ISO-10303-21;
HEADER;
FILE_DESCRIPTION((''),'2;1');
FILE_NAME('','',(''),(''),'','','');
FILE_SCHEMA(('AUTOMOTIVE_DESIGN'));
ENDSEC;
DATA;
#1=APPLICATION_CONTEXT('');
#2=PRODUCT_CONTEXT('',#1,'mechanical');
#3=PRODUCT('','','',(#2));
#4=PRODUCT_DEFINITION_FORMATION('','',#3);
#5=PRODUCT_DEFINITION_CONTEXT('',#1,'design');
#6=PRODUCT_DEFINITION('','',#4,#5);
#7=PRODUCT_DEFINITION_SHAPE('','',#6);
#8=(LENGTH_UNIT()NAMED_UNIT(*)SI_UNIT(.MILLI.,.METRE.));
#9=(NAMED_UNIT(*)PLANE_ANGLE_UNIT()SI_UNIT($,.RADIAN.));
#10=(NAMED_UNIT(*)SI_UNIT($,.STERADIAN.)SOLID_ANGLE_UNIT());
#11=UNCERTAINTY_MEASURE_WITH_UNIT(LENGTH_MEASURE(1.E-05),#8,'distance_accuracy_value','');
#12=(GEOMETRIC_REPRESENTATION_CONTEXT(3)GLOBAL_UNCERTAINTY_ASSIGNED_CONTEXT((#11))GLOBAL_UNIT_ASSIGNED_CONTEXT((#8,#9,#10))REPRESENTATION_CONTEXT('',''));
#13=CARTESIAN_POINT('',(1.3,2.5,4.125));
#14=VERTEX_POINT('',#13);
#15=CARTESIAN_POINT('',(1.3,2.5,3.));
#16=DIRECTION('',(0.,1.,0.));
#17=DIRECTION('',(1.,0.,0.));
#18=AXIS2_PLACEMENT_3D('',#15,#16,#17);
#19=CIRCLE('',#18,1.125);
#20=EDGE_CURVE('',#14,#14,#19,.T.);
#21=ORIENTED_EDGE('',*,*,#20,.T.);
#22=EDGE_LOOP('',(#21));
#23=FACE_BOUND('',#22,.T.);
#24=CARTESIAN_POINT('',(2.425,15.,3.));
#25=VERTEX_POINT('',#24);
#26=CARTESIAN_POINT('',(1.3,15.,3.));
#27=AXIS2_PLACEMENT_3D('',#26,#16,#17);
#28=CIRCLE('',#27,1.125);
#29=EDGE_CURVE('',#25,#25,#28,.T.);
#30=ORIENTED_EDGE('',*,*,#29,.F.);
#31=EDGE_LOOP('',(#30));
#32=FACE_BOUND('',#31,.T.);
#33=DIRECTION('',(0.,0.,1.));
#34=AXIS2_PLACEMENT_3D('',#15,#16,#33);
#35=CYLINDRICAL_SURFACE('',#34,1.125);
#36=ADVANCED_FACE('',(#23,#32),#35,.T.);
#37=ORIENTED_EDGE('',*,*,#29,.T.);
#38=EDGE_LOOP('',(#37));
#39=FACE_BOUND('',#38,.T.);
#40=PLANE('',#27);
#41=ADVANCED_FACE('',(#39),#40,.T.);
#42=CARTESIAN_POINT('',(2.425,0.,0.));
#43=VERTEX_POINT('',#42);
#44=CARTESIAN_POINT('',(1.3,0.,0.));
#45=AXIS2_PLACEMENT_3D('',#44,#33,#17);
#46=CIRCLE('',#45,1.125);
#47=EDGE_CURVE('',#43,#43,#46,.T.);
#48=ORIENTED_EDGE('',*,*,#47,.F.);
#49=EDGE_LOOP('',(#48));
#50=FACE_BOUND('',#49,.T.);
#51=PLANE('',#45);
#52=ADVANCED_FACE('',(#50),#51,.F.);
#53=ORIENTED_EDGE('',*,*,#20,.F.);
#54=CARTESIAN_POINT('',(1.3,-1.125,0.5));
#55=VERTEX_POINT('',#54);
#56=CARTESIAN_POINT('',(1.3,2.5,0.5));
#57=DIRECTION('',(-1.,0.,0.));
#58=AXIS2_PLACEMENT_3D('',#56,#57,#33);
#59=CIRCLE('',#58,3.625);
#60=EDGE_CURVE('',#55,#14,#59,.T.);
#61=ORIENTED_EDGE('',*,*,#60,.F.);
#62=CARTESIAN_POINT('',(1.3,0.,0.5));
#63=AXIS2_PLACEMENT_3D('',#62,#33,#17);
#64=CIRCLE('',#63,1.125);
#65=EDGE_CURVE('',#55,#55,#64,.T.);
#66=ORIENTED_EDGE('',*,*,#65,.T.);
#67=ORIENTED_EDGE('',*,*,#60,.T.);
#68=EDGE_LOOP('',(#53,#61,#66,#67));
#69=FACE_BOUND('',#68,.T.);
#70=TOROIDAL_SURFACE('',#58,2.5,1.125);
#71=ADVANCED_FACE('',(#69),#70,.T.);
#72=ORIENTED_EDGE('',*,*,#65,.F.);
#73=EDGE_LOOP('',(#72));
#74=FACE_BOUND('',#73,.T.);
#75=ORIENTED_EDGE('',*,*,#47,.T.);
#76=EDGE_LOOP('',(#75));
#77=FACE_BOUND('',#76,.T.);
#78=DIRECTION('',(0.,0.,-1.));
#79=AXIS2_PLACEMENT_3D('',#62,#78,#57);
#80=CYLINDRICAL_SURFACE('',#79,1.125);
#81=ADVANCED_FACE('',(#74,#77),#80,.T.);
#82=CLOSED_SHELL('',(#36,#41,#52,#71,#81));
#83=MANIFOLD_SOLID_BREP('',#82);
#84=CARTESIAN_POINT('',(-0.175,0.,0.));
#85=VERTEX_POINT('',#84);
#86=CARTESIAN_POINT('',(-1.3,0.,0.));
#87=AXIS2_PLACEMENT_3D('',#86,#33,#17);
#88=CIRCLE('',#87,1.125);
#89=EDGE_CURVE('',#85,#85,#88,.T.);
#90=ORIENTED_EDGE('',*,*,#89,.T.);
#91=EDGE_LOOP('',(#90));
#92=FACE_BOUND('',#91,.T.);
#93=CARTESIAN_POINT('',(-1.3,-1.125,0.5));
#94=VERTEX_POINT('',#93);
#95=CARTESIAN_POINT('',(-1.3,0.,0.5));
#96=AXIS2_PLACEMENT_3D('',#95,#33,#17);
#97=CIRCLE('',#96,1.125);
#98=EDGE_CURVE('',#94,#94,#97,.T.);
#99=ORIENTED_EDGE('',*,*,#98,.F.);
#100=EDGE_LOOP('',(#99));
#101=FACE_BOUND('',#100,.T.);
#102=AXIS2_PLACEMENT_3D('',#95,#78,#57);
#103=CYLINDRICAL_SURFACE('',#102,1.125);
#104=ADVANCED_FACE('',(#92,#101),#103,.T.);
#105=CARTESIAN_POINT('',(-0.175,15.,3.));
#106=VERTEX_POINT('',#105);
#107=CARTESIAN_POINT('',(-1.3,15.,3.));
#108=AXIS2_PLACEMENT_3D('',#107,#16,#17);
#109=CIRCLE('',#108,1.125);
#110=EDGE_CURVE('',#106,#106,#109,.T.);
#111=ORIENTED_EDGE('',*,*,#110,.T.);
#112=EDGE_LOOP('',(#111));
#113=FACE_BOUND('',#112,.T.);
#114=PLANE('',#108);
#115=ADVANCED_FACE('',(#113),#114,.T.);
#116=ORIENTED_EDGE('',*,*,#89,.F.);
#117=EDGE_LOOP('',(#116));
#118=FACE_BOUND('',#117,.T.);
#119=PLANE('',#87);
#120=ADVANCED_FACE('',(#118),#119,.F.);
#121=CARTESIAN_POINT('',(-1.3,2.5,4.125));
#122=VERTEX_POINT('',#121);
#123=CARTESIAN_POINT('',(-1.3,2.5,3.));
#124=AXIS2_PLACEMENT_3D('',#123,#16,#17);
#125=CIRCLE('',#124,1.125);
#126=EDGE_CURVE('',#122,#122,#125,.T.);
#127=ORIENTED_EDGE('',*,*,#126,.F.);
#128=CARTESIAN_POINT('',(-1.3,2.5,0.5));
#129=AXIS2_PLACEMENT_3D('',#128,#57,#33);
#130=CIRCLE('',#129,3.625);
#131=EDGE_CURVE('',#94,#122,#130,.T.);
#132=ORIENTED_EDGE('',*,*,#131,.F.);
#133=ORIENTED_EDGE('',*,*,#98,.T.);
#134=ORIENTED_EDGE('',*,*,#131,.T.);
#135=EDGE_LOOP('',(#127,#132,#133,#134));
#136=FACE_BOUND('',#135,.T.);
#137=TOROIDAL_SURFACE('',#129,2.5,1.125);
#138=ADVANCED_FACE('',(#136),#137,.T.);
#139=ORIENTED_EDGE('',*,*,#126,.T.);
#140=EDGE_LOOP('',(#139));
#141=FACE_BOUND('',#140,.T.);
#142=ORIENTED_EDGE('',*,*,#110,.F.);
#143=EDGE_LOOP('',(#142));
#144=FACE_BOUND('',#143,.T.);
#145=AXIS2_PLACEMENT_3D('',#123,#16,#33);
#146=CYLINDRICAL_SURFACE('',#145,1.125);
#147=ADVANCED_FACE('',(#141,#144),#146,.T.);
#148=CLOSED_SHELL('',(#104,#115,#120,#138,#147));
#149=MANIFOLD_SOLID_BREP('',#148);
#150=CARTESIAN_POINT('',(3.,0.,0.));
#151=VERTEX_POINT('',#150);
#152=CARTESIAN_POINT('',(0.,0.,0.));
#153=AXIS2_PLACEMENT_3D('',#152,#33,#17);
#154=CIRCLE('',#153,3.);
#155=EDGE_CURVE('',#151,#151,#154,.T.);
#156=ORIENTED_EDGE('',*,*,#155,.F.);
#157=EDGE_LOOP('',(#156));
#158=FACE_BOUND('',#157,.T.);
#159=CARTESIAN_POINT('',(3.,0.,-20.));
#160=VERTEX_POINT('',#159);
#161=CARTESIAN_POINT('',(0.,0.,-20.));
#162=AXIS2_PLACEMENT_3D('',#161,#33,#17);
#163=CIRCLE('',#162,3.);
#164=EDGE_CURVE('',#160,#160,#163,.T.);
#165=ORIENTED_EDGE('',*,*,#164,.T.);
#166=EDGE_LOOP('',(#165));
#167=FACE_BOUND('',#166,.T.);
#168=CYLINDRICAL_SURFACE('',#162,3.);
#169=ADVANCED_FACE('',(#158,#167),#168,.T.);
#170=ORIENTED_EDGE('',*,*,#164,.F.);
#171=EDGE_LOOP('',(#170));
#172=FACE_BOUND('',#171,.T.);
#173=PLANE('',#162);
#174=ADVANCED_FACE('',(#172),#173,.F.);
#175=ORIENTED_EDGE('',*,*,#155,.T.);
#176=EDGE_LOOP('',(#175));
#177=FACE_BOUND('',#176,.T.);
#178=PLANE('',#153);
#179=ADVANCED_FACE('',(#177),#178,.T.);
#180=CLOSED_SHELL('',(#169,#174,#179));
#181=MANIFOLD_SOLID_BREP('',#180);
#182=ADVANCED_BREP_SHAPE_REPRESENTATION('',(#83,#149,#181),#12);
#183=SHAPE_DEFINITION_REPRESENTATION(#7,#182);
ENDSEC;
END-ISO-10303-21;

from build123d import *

# Parameters (mm, degrees)
SKETCH4_R           = 3
BOSS_EXTRUDE1_DEPTH = 20
SKETCH5_R           = 1.125
SKETCH10_R          = 1.125


with BuildPart() as part:
    # Sketch4 → Boss-Extrude1 (new body)
    with BuildSketch(Plane.XY):
        Circle(SKETCH4_R)
    extrude(amount=-BOSS_EXTRUDE1_DEPTH)


with BuildPart() as body_2:
    # Sweep2: sweep along a path in Sketch9
    with BuildLine(Plane.ZY.offset(2.55)) as sweep2_path:
        Line((3, 15), (3, 2.5))
        ThreePointArc((3, 2.5), (2.267766953, 0.732233047), (0.5, 0))
        Line((0.5, 0), (0, 0))
    # Sketch5 → Sweep2 (sweep)
    with BuildSketch(Plane.XY):
        with Locations((-1.3, 0)):
            Circle(SKETCH5_R)
    sweep(path=sweep2_path.line)


with BuildPart() as body_3:
    # Sweep3: sweep along a path in Sketch15
    with BuildLine(Plane.ZY.offset(-0.05)) as sweep3_path:
        Line((3, 15), (3, 2.5))
        ThreePointArc((3, 2.5), (2.267766953, 0.732233047), (0.5, 0))
        Line((0.5, 0), (0, 0))
    # Sketch10 → Sweep3 (sweep)
    with BuildSketch(Plane.XY):
        with Locations((1.3, 0)):
            Circle(SKETCH10_R)
    sweep(path=sweep3_path.line)


solid = Compound([part.part, body_2.part, body_3.part])
